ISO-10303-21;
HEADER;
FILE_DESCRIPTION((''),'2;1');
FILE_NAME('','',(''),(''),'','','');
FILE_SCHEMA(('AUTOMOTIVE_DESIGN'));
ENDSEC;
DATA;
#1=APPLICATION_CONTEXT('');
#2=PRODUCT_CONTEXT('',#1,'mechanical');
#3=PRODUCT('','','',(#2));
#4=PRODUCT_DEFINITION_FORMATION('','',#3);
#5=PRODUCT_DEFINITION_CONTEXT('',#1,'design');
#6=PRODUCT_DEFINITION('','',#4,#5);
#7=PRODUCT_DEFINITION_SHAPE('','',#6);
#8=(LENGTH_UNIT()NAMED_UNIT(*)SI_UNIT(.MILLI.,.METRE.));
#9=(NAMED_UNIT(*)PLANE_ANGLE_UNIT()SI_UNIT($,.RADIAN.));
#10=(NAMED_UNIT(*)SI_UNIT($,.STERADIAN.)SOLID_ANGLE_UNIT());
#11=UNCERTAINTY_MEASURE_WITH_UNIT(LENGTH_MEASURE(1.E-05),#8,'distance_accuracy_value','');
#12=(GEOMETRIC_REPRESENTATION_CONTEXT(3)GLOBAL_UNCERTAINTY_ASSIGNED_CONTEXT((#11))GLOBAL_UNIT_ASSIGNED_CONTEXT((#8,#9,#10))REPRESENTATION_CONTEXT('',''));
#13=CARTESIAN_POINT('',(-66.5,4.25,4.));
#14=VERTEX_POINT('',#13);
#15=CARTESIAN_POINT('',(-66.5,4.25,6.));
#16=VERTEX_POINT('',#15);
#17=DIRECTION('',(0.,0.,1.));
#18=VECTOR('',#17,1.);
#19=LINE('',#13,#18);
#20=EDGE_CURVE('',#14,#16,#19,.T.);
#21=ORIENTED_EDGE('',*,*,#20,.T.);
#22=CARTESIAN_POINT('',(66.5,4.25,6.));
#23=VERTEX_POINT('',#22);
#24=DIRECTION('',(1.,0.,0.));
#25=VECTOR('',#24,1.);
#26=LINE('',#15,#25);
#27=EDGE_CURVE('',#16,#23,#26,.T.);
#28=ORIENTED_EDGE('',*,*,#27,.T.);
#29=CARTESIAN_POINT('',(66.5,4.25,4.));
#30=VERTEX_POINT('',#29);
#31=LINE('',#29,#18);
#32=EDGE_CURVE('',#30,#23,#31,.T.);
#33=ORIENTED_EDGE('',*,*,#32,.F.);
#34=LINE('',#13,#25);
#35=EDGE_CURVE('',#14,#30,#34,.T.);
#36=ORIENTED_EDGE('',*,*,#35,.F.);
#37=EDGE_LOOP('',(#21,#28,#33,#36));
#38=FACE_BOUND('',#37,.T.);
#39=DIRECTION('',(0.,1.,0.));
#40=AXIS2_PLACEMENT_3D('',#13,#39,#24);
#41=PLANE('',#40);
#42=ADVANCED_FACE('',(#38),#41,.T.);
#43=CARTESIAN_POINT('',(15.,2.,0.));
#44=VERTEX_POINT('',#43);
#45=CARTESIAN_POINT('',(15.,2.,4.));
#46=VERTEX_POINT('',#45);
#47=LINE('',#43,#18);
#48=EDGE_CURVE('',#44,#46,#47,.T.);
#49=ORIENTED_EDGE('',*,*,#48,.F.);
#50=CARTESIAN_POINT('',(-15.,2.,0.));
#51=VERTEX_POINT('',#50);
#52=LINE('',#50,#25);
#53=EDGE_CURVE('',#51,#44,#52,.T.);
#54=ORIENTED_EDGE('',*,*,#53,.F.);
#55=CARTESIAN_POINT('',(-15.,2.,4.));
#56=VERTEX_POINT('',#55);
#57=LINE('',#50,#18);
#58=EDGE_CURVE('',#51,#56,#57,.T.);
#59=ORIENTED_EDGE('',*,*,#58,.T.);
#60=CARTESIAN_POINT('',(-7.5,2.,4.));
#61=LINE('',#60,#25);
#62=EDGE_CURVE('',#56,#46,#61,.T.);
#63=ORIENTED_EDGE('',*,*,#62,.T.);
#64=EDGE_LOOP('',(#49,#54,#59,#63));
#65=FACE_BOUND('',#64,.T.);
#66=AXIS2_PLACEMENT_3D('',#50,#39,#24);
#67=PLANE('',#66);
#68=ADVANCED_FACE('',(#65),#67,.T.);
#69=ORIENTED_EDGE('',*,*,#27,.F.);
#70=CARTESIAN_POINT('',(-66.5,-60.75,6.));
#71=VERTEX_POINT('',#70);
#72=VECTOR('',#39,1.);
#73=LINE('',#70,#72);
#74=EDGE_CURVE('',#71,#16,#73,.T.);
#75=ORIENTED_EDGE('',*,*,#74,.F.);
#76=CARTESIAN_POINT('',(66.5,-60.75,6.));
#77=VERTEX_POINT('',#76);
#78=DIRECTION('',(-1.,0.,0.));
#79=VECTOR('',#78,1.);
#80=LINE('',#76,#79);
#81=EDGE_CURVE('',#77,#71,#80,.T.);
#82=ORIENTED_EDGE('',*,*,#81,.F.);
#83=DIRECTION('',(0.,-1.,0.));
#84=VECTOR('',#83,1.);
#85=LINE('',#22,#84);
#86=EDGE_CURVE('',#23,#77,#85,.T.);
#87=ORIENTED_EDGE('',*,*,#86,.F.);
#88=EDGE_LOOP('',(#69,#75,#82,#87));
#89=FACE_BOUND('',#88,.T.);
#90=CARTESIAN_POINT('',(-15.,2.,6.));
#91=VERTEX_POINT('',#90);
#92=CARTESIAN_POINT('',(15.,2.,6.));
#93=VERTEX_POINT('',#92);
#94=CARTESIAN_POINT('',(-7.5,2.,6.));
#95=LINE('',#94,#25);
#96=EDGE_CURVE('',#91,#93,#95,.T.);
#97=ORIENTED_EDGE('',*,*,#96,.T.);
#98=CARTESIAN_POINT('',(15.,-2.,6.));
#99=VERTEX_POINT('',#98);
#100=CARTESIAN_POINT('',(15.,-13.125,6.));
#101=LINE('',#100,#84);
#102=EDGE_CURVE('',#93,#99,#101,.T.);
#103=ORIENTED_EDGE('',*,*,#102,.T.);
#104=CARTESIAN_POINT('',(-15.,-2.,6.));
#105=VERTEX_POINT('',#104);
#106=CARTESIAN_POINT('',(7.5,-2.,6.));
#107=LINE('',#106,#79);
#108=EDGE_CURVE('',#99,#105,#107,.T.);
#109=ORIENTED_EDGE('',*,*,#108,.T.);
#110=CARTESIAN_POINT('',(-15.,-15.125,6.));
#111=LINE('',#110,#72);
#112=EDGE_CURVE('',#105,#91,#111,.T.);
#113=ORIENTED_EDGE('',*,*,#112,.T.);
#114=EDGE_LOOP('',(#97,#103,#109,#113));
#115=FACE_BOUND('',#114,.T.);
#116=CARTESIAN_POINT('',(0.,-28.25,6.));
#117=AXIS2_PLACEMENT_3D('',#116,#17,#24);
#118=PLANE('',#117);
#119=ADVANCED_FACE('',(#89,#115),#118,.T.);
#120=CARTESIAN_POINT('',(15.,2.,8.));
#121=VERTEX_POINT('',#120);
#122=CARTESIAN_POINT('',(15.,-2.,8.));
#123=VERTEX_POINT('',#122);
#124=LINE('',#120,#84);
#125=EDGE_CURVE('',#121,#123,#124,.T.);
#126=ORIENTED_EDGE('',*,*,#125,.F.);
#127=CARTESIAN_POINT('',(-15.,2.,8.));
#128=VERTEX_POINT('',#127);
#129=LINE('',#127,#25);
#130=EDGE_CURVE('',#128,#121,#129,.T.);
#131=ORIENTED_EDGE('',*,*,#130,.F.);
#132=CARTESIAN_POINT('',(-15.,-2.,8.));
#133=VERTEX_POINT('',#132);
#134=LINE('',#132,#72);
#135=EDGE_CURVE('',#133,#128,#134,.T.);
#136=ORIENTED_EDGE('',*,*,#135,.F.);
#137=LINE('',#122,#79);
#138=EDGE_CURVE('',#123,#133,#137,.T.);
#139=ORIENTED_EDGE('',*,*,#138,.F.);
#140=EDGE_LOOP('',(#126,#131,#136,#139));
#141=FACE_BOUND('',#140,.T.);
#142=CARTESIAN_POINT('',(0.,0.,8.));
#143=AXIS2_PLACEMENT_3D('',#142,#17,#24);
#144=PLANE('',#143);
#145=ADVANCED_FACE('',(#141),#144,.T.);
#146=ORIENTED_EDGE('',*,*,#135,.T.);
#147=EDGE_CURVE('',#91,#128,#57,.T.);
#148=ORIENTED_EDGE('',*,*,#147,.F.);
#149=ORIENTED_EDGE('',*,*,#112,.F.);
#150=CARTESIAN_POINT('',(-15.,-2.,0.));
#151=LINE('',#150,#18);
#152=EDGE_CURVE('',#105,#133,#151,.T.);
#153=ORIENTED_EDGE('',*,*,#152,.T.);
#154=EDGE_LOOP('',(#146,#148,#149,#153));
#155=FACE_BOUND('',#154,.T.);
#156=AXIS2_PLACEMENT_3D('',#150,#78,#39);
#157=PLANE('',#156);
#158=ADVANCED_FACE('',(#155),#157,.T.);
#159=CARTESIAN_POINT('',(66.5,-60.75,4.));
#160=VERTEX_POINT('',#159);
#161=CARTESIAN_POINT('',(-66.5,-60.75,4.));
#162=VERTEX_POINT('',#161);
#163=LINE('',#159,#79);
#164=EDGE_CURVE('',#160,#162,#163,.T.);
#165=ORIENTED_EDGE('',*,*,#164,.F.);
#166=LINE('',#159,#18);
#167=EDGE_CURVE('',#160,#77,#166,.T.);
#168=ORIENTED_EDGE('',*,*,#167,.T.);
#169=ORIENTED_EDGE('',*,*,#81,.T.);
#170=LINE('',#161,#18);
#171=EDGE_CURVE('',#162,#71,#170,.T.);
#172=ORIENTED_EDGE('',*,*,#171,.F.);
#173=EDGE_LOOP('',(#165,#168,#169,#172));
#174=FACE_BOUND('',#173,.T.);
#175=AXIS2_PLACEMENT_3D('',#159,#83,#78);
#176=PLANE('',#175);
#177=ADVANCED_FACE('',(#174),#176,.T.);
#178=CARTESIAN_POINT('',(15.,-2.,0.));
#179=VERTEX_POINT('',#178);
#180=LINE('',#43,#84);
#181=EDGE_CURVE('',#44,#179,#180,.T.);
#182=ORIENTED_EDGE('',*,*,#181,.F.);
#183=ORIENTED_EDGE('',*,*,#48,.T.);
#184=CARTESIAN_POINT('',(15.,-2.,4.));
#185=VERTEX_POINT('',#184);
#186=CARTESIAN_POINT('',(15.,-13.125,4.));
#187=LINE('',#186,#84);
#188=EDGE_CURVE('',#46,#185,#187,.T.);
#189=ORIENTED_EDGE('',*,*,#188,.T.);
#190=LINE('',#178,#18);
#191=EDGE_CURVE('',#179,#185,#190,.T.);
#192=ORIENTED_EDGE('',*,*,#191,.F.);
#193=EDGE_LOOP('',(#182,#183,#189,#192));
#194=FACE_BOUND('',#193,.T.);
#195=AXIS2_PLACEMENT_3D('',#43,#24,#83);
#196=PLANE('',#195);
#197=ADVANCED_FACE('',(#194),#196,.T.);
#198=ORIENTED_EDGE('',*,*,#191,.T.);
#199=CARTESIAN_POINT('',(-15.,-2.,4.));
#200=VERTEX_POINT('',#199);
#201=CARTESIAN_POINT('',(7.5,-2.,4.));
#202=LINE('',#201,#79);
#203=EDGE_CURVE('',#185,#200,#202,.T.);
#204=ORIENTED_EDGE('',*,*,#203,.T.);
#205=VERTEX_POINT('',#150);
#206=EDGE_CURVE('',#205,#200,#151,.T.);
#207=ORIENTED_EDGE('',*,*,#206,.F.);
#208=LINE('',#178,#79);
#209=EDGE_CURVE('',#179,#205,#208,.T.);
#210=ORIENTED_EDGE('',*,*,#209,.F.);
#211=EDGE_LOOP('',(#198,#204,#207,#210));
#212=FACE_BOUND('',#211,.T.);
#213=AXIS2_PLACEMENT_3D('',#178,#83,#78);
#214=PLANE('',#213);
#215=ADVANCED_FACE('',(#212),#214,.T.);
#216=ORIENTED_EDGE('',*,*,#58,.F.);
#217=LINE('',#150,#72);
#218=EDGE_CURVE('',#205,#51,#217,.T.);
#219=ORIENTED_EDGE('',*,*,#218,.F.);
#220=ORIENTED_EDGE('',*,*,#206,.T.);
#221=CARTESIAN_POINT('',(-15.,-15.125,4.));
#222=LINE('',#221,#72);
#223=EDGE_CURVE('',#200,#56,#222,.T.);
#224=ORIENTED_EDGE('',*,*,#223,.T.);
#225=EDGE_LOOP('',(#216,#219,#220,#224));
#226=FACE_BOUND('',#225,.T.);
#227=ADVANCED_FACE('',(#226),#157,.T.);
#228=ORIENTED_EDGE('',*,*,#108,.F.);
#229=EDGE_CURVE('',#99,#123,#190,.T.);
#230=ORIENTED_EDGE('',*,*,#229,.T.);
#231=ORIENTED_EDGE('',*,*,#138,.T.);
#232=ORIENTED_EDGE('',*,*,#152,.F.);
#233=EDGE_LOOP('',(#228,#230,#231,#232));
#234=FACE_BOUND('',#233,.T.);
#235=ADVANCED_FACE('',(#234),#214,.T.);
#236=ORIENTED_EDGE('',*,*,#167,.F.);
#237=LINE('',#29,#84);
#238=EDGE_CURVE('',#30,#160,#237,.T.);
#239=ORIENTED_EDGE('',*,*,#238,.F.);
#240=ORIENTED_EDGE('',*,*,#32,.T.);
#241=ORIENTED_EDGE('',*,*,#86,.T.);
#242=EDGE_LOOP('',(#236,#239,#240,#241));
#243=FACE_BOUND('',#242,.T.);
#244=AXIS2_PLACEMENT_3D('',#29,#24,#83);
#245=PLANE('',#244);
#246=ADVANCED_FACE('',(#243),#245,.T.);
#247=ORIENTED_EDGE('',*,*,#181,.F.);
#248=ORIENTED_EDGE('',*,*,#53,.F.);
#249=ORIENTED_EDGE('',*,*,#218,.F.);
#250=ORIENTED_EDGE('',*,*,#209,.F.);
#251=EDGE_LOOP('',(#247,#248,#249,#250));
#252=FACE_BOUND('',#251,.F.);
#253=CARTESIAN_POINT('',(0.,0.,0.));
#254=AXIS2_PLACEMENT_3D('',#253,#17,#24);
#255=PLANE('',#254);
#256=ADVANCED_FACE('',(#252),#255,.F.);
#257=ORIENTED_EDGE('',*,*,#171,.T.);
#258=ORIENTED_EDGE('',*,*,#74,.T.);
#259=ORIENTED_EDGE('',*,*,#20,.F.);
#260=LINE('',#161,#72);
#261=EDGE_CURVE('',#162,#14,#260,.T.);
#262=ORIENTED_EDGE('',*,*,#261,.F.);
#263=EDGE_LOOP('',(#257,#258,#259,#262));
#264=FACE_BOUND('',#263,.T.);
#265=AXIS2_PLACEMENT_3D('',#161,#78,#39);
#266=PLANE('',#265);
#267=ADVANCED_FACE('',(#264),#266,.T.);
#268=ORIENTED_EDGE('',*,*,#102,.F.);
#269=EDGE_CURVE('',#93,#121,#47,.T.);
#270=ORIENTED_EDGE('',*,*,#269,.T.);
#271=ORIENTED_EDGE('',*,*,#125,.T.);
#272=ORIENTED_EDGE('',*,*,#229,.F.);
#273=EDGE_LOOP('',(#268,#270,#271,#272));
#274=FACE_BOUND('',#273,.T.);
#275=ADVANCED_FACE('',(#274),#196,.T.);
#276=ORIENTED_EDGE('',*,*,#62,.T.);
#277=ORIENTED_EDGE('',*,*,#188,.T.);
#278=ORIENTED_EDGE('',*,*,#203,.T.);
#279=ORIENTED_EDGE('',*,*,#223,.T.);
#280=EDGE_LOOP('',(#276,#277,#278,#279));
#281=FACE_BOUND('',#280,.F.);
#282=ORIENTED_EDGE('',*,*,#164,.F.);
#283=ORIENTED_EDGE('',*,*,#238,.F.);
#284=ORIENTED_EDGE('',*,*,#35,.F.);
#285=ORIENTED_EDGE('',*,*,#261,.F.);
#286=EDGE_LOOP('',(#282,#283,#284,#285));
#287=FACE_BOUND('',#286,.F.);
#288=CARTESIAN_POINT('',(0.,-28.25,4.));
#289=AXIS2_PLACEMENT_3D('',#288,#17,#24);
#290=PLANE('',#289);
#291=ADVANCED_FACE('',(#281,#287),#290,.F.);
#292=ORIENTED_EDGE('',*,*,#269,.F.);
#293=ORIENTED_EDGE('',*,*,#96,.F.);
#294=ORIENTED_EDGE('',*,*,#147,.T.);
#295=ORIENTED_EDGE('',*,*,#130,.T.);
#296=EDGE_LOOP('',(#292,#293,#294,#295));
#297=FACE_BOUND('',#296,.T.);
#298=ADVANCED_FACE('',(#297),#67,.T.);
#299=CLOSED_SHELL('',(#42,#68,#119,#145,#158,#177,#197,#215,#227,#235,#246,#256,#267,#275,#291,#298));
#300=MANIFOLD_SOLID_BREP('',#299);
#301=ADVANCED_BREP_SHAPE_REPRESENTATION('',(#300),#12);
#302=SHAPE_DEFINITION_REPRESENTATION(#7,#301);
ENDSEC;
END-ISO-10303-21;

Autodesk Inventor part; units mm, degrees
ref_plane "YZ Plane" through (0, 0, 0) normal (1, 0, 0) x (0, 1, 0)
ref_plane "XZ Plane" through (0, 0, 0) normal (0, 1, 0) x (-1, 0, 0)
ref_plane "XY Plane" through (0, 0, 0) normal (0, 0, 1) x (1, 0, 0)
sketch "Sketch1" plane through (0, 0, 0) normal (0, 0, 1) x (1, 0, 0)
  line L0 (-15, 2) -> (15, 2)
  line L1 (15, 2) -> (15, -2)
  line L2 (15, -2) -> (-15, -2)
  line L3 (-15, -2) -> (-15, 2)
  line L4 (-15, 2) -> (15, -2) construction
  line L5 (15, 2) -> (-15, -2) construction
  point P0 (0, 0)
  dimension "d0" = 30
  dimension "d1" = 4
extrude "Extrusion1" add sketch "Sketch1" along normal blind 8
sketch "Sketch2" plane through (0, 0, 8) normal (0, 0, 1) x (1, 0, 0)
  point P0 (0, 0)
ref_plane "Work Plane2" through (0, -28.25, 4) normal (0, 0, 1) x (1, 0, 0)
sketch "Sketch4" plane through (0, -28.25, 4) normal (0, 0, 1) x (1, 0, 0)
  line L0 (-66.5, 32.5) -> (66.5, 32.5)
  line L1 (66.5, 32.5) -> (66.5, -32.5)
  line L2 (66.5, -32.5) -> (-66.5, -32.5)
  line L3 (-66.5, -32.5) -> (-66.5, 32.5)
  line L4 (-66.5, 32.5) -> (66.5, -32.5) construction
  line L5 (66.5, 32.5) -> (-66.5, -32.5) construction
  line L6 (15, 26.25) -> (15, 30.25) projected
  point P0 (0, 28.25)
  point P1 (0, 0)
  dimension "d4" = 133
  dimension "d5" = 65
extrude "Extrusion2" add sketch "Sketch4" along normal blind 2
properties part number "Top"
